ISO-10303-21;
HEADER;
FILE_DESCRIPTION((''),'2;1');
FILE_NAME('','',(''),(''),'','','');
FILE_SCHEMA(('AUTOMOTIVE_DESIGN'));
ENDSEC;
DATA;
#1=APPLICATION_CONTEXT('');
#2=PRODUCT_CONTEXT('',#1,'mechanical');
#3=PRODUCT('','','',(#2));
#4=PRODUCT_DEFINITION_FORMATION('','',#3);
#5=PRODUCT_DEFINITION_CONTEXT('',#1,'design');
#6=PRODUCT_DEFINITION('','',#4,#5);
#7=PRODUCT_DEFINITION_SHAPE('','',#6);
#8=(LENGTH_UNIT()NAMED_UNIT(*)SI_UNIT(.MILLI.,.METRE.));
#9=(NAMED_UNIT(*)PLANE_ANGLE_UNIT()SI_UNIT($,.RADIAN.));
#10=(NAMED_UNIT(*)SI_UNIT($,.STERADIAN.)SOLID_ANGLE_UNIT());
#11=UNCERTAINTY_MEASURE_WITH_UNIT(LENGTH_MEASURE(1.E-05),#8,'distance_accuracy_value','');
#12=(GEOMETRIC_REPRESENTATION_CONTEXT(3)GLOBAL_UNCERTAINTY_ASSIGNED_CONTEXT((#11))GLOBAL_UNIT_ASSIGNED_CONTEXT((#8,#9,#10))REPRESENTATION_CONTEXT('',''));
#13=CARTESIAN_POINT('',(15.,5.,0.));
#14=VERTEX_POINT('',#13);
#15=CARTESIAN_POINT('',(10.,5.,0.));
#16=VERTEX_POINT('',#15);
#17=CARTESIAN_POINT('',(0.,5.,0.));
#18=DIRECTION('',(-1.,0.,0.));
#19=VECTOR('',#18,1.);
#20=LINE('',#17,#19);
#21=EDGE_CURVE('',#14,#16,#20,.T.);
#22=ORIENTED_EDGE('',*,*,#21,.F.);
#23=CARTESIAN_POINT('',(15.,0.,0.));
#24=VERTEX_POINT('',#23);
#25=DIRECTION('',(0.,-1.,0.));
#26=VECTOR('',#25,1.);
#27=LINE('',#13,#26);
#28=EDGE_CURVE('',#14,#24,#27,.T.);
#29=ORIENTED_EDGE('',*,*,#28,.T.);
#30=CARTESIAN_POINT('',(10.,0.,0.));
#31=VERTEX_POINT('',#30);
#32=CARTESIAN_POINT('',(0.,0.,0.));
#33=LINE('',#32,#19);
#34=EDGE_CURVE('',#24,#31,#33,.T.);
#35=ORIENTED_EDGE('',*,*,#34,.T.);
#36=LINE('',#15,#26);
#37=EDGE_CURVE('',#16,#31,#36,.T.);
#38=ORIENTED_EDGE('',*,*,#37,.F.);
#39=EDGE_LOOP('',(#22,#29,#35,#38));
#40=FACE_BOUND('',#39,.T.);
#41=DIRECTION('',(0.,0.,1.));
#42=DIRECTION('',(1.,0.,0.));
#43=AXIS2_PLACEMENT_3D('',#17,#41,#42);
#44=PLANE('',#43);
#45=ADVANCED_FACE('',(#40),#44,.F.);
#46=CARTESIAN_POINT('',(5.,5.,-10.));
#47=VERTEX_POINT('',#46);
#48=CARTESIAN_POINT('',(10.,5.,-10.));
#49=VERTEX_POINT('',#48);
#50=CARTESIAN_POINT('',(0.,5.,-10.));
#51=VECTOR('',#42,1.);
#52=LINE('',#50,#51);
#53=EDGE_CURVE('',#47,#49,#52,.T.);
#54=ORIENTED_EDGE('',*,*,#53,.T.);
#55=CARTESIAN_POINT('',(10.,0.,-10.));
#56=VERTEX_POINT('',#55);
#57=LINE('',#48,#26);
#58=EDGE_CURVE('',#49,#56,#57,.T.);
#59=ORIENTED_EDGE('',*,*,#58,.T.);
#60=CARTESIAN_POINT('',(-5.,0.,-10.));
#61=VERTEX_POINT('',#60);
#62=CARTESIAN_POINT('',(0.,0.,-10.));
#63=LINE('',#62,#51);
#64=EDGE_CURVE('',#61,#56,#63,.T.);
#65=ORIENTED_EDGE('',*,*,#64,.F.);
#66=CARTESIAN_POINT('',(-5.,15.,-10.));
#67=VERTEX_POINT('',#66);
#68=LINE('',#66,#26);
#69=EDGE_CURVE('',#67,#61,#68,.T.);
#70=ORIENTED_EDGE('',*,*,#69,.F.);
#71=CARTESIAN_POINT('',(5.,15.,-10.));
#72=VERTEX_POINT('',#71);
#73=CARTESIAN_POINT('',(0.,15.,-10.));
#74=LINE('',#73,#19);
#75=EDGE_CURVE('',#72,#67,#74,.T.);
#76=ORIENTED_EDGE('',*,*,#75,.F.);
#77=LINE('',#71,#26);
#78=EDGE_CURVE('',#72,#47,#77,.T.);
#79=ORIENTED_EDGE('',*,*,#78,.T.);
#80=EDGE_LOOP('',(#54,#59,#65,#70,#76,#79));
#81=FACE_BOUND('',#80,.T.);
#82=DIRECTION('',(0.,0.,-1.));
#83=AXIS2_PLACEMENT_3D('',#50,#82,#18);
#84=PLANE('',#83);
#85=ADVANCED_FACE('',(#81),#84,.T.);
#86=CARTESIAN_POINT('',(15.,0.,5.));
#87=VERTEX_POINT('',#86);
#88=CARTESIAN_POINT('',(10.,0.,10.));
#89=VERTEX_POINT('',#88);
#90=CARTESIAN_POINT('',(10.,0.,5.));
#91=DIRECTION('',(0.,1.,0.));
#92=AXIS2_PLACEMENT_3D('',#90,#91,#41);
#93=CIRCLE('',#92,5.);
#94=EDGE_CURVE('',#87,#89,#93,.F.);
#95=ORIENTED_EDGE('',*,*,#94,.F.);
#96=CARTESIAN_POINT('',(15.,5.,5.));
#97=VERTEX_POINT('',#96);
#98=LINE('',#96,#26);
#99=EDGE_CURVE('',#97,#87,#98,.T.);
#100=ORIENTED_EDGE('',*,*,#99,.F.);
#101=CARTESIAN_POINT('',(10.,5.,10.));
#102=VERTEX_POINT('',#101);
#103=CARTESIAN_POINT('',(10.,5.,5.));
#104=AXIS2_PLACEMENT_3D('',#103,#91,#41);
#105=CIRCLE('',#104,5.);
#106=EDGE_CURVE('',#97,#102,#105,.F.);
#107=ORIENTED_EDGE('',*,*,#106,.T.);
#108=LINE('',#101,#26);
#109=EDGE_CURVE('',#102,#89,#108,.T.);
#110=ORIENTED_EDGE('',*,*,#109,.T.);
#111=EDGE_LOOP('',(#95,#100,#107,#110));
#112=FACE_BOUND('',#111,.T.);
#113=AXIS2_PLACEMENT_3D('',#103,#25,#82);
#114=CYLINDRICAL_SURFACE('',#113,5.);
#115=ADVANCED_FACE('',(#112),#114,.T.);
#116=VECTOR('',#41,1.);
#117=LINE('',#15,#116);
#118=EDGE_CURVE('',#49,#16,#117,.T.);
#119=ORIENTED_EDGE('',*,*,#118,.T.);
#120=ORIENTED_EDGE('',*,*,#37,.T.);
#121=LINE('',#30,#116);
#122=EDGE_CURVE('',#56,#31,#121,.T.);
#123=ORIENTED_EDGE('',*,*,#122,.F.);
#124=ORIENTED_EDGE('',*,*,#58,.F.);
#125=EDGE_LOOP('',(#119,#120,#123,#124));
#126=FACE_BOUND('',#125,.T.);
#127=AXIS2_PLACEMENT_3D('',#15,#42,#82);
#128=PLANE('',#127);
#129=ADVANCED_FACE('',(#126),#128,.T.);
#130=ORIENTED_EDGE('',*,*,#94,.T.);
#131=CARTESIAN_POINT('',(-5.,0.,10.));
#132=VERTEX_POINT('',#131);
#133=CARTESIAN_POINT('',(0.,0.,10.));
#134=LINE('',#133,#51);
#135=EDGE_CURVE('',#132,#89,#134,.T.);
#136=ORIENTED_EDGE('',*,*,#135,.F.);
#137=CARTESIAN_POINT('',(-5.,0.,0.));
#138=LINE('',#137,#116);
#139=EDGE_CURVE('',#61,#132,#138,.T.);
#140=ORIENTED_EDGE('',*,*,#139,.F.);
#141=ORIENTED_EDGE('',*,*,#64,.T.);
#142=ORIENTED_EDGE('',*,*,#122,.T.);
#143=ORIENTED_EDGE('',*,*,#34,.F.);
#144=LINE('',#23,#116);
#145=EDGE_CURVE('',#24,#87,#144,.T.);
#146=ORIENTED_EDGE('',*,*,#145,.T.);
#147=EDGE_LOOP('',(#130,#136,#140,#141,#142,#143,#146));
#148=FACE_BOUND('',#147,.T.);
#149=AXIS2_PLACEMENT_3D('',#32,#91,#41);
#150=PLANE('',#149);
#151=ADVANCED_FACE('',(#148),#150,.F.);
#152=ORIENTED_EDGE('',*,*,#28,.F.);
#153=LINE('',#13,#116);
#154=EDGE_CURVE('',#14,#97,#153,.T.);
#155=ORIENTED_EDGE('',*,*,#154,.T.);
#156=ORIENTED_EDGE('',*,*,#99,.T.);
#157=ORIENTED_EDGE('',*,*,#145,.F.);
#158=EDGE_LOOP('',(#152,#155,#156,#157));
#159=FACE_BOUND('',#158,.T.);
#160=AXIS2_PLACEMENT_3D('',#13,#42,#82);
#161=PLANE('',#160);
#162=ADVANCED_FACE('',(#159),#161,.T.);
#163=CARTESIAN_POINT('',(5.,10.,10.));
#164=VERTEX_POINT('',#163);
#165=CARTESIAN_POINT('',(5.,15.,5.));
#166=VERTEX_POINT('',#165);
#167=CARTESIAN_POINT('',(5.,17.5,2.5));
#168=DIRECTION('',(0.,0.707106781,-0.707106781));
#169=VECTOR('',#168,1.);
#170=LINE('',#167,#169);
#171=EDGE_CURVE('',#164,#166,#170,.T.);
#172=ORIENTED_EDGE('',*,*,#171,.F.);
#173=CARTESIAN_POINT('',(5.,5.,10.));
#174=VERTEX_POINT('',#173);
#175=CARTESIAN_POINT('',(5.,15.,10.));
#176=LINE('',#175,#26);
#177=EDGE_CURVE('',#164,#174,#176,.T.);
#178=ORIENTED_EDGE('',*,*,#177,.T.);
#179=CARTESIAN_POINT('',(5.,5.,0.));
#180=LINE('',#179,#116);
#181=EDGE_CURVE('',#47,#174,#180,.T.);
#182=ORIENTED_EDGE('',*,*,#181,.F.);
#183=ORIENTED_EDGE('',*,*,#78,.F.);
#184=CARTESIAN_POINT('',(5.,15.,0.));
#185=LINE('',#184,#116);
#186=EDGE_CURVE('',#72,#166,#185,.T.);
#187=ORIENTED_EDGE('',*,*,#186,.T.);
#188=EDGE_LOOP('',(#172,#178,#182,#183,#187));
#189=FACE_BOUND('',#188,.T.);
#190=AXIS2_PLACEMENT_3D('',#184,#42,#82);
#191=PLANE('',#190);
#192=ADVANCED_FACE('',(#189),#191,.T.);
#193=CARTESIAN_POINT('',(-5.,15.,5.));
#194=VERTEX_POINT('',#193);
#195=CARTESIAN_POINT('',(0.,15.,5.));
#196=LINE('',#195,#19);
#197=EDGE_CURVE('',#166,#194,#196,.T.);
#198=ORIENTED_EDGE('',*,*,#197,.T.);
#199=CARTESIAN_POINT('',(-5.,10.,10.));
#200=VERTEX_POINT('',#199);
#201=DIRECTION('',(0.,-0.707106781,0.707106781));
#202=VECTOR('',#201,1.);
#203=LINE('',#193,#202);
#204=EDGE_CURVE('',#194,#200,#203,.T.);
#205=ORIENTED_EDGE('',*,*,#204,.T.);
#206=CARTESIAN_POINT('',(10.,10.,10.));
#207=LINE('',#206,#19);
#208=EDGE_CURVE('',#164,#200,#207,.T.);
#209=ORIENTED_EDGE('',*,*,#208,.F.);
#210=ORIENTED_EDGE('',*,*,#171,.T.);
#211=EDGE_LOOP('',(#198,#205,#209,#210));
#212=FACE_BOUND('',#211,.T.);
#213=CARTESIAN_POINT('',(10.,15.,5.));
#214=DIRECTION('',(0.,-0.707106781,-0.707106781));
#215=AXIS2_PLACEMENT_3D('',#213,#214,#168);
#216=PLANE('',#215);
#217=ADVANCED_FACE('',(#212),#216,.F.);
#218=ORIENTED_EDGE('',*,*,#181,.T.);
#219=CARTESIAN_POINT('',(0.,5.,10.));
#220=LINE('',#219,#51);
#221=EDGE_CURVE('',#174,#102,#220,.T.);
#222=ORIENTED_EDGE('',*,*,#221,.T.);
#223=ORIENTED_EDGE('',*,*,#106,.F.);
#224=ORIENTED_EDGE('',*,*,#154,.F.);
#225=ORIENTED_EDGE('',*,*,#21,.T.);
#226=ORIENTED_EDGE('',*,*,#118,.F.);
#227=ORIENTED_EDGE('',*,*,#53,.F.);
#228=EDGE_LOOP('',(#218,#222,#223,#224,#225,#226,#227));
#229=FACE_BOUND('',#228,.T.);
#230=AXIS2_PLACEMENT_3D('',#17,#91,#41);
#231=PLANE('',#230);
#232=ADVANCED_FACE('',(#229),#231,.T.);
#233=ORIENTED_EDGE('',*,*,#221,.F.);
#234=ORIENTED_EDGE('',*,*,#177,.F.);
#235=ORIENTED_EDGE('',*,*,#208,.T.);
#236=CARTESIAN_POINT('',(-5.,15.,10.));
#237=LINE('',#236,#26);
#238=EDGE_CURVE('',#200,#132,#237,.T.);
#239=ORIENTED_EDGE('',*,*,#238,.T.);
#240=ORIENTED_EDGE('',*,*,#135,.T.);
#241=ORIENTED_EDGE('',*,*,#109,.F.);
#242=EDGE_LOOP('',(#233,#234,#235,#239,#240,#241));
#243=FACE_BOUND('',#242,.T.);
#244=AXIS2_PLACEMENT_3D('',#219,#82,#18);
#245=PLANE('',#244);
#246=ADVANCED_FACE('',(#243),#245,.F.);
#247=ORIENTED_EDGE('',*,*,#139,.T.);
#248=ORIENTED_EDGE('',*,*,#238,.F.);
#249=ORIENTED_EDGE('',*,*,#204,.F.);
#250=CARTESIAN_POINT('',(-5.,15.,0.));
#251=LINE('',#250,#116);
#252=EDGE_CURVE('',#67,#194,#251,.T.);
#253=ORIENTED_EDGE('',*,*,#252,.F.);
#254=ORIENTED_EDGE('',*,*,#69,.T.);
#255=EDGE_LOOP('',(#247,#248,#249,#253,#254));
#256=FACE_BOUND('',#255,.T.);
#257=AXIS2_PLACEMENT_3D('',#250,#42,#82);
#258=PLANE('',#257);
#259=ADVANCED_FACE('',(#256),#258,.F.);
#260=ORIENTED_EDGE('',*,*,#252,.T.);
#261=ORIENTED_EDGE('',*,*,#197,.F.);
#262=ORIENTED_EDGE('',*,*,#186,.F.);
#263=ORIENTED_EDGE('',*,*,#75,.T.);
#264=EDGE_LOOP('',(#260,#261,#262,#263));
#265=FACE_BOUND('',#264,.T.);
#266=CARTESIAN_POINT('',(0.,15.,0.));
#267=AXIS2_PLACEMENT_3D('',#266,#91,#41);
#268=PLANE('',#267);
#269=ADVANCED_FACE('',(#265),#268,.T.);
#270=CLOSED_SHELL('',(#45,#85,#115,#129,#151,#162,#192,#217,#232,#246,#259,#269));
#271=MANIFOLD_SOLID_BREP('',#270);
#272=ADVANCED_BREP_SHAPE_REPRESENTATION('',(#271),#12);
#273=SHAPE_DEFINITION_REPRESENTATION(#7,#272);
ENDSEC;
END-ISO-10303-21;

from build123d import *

# Parameters (mm, degrees)
EXTRUDE_1_DEPTH     = 5
SKETCH_1_3_W        = 10
SKETCH_1_3_H        = 20
EXTRUDE_2_DEPTH     = 15
CUT_EXTRUDE_1_DEPTH = 15


with BuildPart() as part:
    # 草圖1 → 填料-伸長1 (new body)
    with BuildSketch(Plane(origin=(0, 0, 0), x_dir=(1, 0, 0), z_dir=(0, 1, 0))):
        with BuildLine():
            Line((10, 10), (5, 10))
            Line((5, 10), (5, -5))
            Line((5, -5), (5, -10))
            Line((5, -10), (10, -10))
            ThreePointArc((10, -10), (13.535533906, -8.535533906), (15, -5))
            Line((15, -5), (15, 0))
            Line((15, 0), (10, 0))
            Line((10, 0), (10, 10))
        make_face()
    extrude(amount=EXTRUDE_1_DEPTH)

    # 草圖1<3> → 填料-伸長2 (add)
    with BuildSketch(Plane(origin=(0, 0, 0), x_dir=(1, 0, 0), z_dir=(0, 1, 0))):
        Rectangle(SKETCH_1_3_W, SKETCH_1_3_H)
    extrude(amount=EXTRUDE_2_DEPTH)

    # 草圖2 → 除料-伸長1 (cut)
    with BuildSketch(Plane.ZY.offset(5)):
        Polygon((5, 15), (10, 10), (10, 15), align=None)
    extrude(amount=-CUT_EXTRUDE_1_DEPTH, mode=Mode.SUBTRACT)


solid = part.part
